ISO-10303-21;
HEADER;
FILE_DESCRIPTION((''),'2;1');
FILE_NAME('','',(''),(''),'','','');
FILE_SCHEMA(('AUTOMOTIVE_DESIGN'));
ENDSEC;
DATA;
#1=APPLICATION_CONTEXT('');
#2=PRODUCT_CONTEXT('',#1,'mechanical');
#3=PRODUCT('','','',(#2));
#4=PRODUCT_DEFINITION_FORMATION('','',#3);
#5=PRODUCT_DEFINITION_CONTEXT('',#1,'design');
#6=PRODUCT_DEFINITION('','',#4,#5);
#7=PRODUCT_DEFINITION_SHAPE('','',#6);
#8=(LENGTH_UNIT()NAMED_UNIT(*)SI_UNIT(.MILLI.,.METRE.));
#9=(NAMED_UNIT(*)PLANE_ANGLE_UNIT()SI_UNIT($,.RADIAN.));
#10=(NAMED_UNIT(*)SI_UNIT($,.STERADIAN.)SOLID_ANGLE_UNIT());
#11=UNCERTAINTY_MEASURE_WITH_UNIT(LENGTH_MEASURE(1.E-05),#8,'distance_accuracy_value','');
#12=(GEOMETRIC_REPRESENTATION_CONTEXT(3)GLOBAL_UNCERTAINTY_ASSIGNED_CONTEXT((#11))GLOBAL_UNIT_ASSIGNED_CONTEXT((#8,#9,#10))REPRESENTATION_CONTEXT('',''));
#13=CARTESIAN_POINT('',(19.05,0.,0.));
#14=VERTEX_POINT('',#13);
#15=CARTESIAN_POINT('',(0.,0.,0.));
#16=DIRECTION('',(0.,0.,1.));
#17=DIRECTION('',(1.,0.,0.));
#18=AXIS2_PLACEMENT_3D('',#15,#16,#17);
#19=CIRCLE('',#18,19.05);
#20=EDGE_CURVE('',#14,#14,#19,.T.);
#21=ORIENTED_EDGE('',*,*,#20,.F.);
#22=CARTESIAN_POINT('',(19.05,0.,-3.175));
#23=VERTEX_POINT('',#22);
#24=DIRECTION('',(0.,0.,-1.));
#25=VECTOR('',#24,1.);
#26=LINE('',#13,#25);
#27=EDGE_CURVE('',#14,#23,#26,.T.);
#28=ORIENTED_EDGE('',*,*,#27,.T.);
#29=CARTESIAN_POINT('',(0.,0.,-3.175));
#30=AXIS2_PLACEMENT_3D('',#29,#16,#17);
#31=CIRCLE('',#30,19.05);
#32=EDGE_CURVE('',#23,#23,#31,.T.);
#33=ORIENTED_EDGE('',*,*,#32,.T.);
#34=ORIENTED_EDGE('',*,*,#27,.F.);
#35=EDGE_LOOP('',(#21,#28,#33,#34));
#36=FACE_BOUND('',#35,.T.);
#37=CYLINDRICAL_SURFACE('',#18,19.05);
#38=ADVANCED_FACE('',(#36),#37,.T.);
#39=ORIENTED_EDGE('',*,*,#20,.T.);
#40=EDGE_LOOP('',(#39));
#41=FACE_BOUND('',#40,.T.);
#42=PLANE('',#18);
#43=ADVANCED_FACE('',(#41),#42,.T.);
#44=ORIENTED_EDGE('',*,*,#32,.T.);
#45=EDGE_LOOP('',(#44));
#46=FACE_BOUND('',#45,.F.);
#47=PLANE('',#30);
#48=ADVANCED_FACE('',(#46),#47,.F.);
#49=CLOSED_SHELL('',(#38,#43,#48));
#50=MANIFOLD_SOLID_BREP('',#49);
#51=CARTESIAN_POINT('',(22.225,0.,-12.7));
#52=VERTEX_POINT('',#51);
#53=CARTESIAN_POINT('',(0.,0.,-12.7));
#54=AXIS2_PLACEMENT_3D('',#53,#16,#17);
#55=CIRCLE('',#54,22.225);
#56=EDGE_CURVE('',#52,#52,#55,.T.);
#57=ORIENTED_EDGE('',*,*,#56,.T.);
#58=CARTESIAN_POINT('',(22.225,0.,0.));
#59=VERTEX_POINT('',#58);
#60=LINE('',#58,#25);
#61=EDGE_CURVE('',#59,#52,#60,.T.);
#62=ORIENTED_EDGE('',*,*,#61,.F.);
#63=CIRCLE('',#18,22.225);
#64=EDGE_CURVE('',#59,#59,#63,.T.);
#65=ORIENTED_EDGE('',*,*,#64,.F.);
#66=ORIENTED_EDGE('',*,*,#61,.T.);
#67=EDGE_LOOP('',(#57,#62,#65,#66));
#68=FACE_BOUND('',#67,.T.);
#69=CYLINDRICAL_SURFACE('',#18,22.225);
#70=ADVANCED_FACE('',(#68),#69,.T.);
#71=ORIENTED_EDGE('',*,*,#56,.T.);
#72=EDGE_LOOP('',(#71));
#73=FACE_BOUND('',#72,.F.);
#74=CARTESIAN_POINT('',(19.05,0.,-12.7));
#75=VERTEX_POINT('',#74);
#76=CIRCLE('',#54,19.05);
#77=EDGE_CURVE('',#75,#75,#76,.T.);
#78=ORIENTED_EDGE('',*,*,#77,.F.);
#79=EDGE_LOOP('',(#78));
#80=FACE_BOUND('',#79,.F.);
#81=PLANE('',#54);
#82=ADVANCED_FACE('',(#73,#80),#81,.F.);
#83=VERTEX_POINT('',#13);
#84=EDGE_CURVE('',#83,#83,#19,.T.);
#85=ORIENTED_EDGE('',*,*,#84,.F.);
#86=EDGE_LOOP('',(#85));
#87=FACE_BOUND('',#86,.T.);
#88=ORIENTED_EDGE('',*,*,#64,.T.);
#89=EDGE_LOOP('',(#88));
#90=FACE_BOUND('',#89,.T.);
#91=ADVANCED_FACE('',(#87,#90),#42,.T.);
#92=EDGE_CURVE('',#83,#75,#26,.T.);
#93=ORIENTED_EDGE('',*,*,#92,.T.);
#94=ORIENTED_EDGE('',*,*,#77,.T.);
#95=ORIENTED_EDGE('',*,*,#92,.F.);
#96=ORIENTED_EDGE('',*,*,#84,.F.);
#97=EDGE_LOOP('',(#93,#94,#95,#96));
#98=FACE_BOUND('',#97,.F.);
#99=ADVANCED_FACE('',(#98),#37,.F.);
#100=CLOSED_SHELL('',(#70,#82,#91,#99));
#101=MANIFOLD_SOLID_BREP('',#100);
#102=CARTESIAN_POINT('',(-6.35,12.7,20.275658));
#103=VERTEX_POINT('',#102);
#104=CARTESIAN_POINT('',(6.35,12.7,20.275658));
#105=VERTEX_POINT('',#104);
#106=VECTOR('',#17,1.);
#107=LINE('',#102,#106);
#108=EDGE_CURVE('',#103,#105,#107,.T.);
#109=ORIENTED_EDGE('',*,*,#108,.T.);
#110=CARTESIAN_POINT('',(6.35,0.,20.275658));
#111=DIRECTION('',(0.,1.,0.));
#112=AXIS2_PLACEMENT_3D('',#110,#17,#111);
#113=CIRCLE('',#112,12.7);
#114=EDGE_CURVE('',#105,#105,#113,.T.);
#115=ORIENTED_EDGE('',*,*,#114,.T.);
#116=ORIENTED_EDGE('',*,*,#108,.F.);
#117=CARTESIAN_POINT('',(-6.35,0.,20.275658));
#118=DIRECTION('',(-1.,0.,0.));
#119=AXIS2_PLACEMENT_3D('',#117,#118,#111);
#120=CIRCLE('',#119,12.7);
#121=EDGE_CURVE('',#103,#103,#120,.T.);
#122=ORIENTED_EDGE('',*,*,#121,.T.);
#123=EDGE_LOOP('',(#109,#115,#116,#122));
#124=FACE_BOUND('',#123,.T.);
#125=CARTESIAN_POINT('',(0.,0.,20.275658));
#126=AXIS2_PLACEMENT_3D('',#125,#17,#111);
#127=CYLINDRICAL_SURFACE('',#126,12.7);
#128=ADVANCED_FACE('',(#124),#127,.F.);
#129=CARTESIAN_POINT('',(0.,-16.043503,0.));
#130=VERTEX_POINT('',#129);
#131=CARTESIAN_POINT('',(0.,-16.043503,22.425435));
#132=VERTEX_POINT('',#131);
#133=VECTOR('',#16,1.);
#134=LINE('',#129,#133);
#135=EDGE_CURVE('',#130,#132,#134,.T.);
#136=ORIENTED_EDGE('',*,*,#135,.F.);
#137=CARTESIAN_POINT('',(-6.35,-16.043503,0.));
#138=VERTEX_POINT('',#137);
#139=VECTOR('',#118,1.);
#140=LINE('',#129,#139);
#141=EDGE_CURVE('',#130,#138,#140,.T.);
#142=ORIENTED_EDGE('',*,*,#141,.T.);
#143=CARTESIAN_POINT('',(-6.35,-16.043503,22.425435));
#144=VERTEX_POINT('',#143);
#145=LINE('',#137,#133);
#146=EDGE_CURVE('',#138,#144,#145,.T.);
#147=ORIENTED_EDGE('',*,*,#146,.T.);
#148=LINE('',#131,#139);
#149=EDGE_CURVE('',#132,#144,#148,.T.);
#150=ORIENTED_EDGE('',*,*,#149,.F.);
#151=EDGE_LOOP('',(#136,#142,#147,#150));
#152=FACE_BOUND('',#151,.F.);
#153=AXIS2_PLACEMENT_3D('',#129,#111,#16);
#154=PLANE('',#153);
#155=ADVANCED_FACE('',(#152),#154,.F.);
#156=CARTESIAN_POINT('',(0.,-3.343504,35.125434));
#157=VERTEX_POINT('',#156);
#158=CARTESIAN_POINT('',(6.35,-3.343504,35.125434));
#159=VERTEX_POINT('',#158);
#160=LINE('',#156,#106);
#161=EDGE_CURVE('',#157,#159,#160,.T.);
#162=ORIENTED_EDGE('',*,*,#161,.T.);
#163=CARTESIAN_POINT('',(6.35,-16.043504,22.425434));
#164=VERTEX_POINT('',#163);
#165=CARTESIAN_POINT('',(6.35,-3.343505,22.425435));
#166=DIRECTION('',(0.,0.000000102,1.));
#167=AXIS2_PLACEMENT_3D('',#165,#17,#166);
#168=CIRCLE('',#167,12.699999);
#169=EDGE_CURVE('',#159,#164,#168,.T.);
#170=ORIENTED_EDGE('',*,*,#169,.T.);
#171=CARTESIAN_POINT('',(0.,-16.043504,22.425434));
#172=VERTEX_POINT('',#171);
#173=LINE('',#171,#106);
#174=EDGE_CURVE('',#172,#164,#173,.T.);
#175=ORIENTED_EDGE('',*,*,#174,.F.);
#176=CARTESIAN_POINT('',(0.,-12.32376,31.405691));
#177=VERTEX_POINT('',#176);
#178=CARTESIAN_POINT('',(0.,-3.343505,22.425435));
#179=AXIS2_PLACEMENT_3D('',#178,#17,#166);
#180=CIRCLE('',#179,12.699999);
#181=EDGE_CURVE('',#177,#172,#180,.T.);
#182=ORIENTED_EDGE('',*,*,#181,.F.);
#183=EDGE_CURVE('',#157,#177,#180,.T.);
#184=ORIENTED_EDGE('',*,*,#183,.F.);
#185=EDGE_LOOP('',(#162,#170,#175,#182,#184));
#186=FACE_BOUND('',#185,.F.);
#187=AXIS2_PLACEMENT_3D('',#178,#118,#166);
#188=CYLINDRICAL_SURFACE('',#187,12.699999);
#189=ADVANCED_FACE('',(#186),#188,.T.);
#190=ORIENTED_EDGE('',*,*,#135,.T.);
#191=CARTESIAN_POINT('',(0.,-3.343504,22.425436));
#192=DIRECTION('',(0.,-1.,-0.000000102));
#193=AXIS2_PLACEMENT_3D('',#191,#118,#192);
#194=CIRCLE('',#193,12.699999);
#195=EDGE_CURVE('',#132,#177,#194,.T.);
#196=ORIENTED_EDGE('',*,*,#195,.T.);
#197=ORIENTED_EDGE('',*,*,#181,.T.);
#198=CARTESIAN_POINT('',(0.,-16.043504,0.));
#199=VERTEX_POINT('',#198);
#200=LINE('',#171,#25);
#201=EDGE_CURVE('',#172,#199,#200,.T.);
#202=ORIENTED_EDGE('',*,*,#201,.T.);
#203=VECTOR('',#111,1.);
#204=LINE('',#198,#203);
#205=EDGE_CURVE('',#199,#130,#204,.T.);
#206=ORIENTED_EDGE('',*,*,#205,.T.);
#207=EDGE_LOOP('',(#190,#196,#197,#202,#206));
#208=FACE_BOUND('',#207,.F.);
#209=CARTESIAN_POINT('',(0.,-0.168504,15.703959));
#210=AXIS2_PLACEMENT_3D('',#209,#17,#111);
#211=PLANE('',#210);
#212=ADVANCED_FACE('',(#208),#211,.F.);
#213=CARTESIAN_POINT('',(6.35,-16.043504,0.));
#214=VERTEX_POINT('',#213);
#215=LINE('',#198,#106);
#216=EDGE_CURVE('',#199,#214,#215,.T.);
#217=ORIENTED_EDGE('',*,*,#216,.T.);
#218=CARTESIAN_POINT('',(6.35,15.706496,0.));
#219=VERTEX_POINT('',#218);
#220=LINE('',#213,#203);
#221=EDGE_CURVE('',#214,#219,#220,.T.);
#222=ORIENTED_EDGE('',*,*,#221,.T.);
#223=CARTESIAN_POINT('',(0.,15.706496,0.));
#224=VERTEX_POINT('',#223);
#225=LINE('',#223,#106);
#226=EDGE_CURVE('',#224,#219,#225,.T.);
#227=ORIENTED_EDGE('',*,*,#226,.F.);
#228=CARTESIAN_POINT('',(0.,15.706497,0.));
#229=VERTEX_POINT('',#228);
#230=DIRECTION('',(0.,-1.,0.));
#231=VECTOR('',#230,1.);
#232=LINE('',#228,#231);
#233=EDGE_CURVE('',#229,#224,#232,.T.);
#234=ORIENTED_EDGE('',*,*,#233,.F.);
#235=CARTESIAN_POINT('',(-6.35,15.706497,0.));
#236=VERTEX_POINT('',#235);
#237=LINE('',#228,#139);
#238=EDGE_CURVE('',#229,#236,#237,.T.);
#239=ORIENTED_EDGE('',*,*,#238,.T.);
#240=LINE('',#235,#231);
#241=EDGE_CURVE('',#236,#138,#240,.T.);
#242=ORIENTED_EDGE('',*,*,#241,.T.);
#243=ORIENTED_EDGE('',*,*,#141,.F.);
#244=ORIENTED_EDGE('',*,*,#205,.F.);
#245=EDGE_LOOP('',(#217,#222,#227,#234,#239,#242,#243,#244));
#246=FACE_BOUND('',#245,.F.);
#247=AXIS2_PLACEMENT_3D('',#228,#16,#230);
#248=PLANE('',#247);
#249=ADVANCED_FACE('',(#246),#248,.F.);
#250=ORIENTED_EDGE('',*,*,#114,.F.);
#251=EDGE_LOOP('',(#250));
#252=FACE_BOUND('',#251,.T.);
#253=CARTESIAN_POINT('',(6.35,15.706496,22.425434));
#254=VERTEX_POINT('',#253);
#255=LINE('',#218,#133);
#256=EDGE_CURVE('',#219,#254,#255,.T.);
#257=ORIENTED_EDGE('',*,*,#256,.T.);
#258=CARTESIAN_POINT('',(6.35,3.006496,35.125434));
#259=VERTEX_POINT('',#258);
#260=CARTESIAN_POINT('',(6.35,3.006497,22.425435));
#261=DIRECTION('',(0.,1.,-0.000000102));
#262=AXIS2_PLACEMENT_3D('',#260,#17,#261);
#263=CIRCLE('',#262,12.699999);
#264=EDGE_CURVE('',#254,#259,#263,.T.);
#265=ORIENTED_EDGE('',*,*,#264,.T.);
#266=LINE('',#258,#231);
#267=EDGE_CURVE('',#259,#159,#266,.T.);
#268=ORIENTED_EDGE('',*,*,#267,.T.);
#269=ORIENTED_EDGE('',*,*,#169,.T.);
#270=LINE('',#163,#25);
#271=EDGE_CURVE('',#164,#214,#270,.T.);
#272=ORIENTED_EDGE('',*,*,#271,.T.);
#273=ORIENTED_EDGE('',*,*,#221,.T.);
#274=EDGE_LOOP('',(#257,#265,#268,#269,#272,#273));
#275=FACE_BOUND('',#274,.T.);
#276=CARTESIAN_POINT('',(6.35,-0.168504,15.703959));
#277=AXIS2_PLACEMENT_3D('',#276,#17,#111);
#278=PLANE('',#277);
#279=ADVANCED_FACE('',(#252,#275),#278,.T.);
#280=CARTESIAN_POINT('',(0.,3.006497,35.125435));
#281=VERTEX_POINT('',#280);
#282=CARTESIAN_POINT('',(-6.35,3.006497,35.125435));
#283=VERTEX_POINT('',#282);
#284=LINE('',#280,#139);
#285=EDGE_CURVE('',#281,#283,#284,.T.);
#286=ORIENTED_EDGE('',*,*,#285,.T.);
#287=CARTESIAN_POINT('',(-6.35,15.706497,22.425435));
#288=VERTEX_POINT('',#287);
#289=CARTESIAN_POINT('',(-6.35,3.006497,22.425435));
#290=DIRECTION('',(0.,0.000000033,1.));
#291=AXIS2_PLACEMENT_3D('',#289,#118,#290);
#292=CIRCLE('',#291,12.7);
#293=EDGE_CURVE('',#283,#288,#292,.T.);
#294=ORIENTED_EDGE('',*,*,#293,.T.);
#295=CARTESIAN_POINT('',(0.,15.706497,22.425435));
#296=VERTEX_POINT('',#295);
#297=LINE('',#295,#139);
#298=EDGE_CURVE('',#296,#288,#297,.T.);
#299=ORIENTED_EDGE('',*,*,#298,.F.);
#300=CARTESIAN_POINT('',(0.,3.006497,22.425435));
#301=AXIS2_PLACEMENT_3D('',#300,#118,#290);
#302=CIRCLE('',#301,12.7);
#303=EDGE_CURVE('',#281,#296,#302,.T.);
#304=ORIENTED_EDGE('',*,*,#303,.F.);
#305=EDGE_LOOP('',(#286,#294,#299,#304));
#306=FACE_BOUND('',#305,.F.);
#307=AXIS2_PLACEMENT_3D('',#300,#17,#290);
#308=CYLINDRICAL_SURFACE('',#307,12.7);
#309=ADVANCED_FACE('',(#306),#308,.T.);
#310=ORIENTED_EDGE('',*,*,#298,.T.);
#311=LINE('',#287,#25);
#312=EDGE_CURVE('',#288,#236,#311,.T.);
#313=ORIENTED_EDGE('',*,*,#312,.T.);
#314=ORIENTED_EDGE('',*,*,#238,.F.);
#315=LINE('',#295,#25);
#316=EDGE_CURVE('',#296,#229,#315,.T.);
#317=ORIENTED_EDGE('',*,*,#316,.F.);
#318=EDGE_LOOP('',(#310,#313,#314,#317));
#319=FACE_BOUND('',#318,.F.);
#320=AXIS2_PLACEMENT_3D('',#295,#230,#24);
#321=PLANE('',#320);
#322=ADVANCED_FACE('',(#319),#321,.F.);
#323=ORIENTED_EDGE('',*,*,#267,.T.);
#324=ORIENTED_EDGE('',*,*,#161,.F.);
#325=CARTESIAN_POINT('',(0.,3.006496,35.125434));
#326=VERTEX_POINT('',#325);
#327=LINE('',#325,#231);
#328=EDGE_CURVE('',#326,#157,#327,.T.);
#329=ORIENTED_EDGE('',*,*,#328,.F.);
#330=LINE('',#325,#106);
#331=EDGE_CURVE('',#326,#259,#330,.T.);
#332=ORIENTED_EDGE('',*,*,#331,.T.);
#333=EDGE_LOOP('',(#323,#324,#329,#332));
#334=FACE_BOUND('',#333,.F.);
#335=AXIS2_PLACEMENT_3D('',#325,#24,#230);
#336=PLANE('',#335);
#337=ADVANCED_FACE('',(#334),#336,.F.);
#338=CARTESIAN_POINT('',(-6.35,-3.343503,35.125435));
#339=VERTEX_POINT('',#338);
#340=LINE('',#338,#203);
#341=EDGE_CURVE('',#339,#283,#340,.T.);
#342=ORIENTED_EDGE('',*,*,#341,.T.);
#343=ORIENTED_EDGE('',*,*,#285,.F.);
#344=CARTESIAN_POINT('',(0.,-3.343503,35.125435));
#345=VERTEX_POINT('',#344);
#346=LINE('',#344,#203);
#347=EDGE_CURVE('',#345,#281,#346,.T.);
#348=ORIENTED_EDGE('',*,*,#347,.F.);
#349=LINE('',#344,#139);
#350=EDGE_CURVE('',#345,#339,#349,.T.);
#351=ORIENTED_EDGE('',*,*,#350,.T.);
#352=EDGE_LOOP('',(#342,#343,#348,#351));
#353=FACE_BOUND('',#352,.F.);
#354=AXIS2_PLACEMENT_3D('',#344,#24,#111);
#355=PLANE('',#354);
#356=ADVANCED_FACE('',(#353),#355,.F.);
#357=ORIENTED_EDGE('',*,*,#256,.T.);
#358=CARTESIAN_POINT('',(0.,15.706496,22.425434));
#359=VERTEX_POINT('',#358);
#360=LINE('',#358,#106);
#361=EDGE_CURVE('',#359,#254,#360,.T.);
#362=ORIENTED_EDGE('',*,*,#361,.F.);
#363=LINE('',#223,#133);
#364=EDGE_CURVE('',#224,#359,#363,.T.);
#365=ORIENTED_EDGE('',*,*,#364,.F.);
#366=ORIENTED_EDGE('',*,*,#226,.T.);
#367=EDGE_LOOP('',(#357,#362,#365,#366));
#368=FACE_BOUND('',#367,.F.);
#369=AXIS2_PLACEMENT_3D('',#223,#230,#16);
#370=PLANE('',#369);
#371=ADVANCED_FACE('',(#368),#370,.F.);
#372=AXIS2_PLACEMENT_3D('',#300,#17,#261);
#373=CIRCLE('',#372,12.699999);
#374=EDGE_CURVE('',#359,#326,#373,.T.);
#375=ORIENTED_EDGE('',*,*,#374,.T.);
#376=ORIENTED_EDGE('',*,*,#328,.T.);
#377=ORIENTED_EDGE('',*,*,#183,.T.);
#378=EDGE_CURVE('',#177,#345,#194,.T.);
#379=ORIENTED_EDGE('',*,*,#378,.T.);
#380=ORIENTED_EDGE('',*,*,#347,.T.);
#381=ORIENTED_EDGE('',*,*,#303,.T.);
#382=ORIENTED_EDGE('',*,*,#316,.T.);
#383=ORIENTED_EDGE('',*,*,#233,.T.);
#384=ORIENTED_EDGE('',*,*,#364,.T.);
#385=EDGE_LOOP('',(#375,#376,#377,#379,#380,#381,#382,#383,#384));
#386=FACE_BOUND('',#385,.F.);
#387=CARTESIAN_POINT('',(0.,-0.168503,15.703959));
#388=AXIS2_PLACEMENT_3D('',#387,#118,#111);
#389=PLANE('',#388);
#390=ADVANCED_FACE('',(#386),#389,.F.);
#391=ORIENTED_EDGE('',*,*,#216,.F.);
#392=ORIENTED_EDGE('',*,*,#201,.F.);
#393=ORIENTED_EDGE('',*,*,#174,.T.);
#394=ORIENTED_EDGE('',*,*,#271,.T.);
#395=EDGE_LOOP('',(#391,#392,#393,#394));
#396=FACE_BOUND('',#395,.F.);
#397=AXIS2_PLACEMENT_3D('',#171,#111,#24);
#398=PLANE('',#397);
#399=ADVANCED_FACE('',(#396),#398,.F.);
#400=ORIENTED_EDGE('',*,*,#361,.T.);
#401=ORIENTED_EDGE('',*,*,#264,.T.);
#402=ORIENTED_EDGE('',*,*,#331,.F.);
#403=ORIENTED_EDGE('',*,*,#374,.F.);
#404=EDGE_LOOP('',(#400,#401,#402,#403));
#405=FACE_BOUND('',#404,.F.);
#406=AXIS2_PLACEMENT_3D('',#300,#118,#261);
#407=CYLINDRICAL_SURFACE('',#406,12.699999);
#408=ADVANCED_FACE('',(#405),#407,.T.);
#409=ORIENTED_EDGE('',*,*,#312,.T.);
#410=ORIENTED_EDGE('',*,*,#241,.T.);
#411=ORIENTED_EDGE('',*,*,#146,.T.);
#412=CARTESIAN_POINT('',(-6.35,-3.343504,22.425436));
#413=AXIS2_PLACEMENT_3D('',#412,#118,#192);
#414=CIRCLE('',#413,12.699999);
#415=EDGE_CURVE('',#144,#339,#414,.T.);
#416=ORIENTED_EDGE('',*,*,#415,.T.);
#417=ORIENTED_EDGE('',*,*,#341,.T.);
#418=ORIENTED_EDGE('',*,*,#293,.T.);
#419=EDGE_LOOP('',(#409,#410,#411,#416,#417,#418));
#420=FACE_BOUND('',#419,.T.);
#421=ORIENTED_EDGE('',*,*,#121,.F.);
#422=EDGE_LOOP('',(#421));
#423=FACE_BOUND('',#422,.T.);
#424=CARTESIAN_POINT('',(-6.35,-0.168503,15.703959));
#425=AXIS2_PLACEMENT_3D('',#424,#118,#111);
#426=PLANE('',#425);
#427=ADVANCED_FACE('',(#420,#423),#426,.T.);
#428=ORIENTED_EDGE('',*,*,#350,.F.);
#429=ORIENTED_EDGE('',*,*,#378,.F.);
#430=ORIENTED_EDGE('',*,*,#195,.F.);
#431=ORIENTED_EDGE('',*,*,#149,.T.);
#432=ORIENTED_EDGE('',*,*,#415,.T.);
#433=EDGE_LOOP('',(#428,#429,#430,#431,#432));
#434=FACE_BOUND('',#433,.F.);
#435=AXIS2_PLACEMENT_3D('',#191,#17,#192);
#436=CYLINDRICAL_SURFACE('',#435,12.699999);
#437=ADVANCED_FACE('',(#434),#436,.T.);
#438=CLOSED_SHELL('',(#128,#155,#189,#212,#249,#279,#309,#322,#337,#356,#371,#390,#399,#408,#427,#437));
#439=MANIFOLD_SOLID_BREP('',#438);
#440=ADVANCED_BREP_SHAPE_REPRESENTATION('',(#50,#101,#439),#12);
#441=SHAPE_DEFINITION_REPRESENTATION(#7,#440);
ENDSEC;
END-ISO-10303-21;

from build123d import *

# Parameters (mm, degrees)
F0_R      = 12.7
F2_DEPTH  = 6.35
F2_FACE_R = 12.7
F3_DEPTH  = 6.35
F1_R      = 22.225
F1_R_2    = 19.05
F4_DEPTH  = 12.7
F5_R      = 19.05
F6_DEPTH  = 3.175


with BuildPart() as f2:
    # F0 (on Right) → F2 (new body)
    with BuildSketch(Plane.YZ):
        with BuildLine():
            Line((-16.043504, 0), (15.706496, 0))
            Line((15.706496, 0), (15.706496, 22.425434))
            ThreePointArc((15.706496, 22.425434), (11.986752, 31.405691), (3.006496, 35.125434))
            Line((3.006496, 35.125434), (-3.343504, 35.125434))
            ThreePointArc((-3.343504, 35.125434), (-12.32376, 31.405691), (-16.043504, 22.425434))
            Line((-16.043504, 22.425434), (-16.043504, 0))
        make_face()
        with Locations((0, 20.275658)):
            Circle(F0_R, mode=Mode.SUBTRACT)
    extrude(amount=F2_DEPTH)

    # F2_face (on face) → F3 (join)
    with BuildSketch(Plane(origin=(0, -0.326824, 13.123454), x_dir=(0, 1, 0), z_dir=(-1, 0, 0))):
        with BuildLine():
            Line((16.033321, 13.123454), (-15.716679, 13.123454))
            Line((-15.716679, 13.123454), (-15.716679, -9.301981))
            ThreePointArc((-15.716679, -9.301981), (-11.996936, -18.282237), (-3.016679, -22.001981))
            Line((-3.016679, -22.001981), (3.333321, -22.001981))
            ThreePointArc((3.333321, -22.001981), (12.313577, -18.282237), (16.033321, -9.301981))
            Line((16.033321, -9.301981), (16.033321, 13.123454))
        make_face()
        with Locations((0.326824, -7.152204)):
            Circle(F2_FACE_R, mode=Mode.SUBTRACT)
    extrude(amount=F3_DEPTH)


with BuildPart() as f4:
    # F1 (on Top) → F4 (new body)
    with BuildSketch(Plane.XY):
        Circle(F1_R)
        Circle(F1_R_2, mode=Mode.SUBTRACT)
    extrude(amount=-F4_DEPTH)


with BuildPart() as f6:
    # F5 (on Top) → F6 (new body)
    with BuildSketch(Plane.XY):
        Circle(F5_R)
    extrude(amount=-F6_DEPTH)


solid = Compound([f2.part, f4.part, f6.part])
